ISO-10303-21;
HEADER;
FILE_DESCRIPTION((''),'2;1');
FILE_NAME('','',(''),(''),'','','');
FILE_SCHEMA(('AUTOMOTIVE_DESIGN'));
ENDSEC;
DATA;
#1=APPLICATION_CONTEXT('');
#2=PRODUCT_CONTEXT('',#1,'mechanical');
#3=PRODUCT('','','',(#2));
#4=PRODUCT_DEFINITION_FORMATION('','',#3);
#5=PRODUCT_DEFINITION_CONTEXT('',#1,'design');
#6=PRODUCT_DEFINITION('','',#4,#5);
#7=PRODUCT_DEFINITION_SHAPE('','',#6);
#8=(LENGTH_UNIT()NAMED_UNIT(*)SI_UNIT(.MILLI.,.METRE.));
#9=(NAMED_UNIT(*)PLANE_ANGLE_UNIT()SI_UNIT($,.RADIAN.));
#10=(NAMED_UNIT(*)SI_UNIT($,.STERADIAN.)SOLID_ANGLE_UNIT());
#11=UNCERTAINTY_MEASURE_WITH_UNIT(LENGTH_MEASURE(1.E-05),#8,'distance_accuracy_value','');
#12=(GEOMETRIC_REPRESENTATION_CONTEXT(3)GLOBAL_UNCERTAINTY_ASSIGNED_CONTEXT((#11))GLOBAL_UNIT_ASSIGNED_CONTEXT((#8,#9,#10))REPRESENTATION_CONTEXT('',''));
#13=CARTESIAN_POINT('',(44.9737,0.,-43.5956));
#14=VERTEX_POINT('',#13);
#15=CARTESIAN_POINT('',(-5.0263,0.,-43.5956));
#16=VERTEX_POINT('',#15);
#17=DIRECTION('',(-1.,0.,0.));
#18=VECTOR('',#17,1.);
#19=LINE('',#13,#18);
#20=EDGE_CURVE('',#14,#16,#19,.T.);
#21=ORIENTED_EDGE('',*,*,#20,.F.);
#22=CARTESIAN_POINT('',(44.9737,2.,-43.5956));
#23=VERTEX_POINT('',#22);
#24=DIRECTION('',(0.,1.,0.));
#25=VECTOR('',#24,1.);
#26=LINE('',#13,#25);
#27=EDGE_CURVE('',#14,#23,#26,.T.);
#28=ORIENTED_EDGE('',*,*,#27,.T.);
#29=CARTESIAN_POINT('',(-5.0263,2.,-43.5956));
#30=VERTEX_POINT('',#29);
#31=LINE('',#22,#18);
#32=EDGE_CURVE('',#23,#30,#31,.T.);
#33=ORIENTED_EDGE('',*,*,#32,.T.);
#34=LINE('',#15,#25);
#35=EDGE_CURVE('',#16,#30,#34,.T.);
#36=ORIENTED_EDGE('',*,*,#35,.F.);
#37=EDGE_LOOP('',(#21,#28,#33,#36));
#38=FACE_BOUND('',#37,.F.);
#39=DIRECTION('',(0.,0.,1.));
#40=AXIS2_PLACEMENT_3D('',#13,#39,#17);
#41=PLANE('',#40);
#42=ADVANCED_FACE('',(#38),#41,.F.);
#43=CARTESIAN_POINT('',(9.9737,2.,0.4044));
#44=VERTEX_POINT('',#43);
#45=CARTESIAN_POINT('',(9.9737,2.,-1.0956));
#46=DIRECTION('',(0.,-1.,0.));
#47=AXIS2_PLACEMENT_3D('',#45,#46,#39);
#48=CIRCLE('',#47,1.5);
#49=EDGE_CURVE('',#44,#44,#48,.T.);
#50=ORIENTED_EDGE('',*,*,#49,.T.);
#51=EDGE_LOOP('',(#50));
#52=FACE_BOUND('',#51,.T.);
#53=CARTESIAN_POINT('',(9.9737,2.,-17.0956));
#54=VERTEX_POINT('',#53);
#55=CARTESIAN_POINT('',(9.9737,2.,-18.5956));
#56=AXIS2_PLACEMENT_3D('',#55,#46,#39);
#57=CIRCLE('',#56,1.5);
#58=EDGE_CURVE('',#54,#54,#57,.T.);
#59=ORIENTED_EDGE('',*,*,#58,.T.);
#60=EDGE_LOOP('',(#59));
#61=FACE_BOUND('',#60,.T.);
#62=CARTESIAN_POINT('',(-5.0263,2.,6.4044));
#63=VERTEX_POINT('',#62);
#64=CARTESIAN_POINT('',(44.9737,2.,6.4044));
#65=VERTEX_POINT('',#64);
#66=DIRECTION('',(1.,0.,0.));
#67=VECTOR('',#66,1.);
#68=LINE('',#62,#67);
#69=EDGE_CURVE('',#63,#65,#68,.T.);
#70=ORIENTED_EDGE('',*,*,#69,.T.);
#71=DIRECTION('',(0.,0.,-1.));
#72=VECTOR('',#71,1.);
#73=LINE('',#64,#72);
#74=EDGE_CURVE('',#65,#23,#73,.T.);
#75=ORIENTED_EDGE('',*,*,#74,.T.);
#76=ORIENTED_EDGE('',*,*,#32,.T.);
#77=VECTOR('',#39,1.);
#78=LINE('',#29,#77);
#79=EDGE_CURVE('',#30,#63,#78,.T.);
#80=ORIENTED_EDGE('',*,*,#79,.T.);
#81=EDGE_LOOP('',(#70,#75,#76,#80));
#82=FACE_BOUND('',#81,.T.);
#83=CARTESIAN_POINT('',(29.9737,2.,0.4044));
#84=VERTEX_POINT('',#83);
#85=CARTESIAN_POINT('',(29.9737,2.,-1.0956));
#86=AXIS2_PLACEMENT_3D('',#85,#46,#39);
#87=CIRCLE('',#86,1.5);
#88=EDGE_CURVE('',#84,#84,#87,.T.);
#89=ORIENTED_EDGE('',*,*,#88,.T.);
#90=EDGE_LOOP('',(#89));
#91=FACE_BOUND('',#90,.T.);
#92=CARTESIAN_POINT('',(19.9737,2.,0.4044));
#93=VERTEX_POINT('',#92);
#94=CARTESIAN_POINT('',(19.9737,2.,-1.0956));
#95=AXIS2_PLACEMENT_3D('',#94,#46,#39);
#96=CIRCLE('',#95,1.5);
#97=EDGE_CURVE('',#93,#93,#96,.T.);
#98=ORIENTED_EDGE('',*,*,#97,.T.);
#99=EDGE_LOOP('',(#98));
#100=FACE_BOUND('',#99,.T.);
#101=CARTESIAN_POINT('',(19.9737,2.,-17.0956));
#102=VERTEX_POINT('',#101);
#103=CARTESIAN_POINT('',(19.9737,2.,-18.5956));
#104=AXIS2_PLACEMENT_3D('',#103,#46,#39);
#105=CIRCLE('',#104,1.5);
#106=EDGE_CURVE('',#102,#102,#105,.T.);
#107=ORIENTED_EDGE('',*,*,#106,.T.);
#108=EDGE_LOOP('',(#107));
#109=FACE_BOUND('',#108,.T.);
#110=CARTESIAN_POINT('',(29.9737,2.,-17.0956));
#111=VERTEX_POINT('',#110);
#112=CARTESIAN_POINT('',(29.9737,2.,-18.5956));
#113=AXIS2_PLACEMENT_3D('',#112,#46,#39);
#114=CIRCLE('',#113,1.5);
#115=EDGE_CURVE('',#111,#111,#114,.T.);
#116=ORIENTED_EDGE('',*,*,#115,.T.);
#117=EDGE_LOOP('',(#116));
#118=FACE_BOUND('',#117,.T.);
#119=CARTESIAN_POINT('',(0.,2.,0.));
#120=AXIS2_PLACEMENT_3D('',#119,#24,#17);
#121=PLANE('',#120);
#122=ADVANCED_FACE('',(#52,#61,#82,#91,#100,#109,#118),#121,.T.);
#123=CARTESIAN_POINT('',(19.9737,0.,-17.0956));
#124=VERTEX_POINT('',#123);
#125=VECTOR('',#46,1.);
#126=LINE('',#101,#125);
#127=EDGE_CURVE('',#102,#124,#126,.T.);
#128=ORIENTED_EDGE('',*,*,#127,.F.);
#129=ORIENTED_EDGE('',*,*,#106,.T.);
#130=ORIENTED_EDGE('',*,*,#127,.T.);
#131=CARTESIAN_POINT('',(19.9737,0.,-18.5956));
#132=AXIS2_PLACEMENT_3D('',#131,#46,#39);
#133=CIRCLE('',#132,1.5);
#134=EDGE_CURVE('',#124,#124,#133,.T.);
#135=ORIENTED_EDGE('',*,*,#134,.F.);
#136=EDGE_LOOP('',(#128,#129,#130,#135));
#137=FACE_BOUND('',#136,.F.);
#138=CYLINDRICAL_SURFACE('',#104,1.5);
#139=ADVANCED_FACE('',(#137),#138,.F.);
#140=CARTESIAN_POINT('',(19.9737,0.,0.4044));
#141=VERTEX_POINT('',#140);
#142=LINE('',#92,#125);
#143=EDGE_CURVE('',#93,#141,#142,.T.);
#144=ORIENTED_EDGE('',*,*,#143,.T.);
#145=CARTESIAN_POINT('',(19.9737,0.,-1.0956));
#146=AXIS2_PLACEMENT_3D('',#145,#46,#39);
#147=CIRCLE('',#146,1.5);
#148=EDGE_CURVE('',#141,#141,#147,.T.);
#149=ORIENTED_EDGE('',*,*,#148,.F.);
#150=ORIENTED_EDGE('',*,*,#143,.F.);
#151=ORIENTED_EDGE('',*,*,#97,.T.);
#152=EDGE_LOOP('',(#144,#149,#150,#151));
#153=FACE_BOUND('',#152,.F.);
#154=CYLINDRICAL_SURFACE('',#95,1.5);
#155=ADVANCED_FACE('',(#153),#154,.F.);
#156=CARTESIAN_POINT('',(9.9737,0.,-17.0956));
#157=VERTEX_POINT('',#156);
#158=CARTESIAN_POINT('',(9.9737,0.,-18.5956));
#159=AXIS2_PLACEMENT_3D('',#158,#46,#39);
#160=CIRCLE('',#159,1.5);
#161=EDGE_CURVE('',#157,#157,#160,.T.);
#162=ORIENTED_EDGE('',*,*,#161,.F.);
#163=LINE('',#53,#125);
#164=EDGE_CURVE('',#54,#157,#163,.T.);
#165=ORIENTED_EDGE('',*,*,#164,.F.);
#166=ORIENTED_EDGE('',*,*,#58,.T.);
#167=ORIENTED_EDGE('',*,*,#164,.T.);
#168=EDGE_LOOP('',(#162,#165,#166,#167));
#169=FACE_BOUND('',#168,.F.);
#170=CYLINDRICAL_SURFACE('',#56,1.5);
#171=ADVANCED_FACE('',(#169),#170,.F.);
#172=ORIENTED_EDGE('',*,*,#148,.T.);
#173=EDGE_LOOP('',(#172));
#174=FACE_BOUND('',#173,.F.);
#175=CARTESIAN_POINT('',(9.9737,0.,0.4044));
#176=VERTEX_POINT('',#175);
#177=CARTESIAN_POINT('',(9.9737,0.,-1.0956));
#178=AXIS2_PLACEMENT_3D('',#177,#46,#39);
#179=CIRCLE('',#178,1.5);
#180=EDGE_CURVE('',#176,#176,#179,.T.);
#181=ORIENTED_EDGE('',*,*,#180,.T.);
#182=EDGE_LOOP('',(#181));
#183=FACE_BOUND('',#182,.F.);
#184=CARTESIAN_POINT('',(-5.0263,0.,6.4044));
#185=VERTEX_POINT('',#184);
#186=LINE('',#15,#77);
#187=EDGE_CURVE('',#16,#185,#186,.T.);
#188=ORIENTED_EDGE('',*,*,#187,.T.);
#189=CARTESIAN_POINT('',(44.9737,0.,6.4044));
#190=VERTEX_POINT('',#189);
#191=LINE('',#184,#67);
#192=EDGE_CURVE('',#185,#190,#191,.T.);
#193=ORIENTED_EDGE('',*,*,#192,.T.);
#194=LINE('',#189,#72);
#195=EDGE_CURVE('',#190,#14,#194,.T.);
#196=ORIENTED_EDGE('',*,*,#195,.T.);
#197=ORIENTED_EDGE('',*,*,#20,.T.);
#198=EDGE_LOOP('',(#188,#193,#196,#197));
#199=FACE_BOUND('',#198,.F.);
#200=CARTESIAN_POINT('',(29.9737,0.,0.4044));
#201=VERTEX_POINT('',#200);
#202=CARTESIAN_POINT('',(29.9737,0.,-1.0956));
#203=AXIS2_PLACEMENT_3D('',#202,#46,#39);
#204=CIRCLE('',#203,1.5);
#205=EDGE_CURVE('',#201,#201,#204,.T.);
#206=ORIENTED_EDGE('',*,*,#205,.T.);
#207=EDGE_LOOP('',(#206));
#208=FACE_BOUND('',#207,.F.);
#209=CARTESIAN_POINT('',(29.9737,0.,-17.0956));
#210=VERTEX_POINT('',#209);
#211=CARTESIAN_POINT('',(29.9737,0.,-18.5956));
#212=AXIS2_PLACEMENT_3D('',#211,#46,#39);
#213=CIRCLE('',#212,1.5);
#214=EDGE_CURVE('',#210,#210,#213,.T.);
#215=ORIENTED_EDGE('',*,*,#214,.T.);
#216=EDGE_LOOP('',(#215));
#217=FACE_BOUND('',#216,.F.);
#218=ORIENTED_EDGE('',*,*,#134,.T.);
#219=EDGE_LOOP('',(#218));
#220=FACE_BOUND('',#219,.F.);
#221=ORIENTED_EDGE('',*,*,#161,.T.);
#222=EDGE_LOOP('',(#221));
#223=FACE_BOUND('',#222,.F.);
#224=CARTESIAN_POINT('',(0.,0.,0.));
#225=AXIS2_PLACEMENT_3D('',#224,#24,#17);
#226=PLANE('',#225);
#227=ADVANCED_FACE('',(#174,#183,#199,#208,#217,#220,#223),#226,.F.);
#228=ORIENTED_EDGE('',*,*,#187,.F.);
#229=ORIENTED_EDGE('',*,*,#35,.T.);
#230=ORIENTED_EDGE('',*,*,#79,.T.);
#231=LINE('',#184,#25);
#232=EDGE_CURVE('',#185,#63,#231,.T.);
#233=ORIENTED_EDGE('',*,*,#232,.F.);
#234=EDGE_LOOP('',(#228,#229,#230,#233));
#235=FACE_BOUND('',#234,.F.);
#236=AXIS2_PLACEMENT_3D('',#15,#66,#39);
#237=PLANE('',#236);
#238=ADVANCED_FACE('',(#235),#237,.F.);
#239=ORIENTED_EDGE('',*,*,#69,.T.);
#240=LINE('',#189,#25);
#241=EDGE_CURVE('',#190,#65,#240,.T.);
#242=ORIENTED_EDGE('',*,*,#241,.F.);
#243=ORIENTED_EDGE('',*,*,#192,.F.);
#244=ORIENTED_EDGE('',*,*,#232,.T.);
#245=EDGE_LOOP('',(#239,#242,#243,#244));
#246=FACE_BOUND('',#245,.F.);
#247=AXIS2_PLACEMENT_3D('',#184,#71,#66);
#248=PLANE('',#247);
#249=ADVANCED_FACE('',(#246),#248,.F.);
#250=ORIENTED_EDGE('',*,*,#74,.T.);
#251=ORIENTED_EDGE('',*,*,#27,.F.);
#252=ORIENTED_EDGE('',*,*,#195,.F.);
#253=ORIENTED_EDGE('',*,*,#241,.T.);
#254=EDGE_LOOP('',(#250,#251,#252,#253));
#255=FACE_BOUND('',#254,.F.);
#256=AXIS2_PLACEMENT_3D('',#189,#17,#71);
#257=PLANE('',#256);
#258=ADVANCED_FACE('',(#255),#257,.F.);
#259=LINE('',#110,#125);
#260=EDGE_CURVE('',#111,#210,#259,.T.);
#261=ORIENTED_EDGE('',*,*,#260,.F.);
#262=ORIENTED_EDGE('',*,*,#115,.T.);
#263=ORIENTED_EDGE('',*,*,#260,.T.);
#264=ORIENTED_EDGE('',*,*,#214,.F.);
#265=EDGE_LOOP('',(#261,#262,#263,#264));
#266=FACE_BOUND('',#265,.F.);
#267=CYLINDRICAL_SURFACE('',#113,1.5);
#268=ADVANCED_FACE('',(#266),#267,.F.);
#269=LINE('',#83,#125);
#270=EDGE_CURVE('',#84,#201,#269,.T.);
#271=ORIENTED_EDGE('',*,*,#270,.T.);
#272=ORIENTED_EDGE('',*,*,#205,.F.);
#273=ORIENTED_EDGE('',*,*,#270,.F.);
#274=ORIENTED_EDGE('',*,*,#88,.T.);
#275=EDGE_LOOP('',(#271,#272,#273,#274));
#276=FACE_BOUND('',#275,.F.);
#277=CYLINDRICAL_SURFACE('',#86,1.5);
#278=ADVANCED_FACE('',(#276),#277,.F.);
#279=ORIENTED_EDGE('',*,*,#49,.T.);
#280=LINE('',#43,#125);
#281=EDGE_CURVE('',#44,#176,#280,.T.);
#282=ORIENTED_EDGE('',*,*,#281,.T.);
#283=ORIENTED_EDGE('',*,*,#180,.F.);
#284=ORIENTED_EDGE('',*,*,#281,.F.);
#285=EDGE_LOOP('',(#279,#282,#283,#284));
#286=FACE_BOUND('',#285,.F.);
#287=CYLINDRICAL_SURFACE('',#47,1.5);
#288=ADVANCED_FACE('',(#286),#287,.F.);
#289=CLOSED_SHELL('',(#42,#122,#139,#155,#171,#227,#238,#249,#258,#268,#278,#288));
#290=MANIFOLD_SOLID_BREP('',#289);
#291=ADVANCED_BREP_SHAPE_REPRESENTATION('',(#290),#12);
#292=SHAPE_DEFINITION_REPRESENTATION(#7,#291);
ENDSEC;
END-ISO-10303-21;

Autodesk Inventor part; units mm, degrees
ref_plane "YZ Plane" through (0, 0, 0) normal (1, 0, 0) x (0, 1, 0)
ref_plane "XZ Plane" through (0, 0, 0) normal (0, 1, 0) x (-1, 0, 0)
ref_plane "XY Plane" through (0, 0, 0) normal (0, 0, 1) x (1, 0, 0)
sketch "スケッチ1" plane through (0, 0, 0) normal (0, 1, 0) x (-1, 0, 0)
  line L0 (5.0263, 6.4044) -> (-44.9737, 6.4044)
  line L1 (-44.9737, 6.4044) -> (-44.9737, -43.5956)
  line L2 (-44.9737, -43.5956) -> (5.0263, -43.5956)
  line L3 (5.0263, -43.5956) -> (5.0263, 6.4044)
  point P0 (0, 0)
  dimension "d0" = 50
  dimension "d1" = 50
extrude "押し出し1" add sketch "スケッチ1" along normal blind 2
sketch "スケッチ2" plane through (0, 2, 0) normal (0, 1, 0) x (1, 0, 0)
  circle A0 centre (19.9737, 1.0956) radius 1.5
  line L0 (-5.0263, -6.4044) -> (44.9737, -6.4044) projected
  line L1 (-5.0263, 43.5956) -> (-5.0263, -6.4044) projected
  circle A1 centre (9.9737, 1.0956) radius 1.5
  circle A2 centre (29.9737, 1.0956) radius 1.5
  circle A3 centre (9.9737, 18.5956) radius 1.5
  circle A4 centre (19.9737, 18.5956) radius 1.5
  circle A5 centre (29.9737, 18.5956) radius 1.5
  point P0 (0, 0)
  dimension "d4" = 3
  dimension "d5" = 7.5
  dimension "d6" = 25
  dimension "d7" = 3
  dimension "d8" = 3
  dimension "d9" = 10
  dimension "d10" = 10
  dimension "d11" = 3
  dimension "d12" = 17.5
  dimension "d13" = 3
  dimension "d14" = 3
  dimension "d15" = 10
  dimension "d16" = 10
  dimension "d17" = 17.5
hole "穴1" at (9.9737, 2, -1.0956) at (19.9737, 2, -1.0956) at (29.9737, 2, -1.0956) at (9.9737, 2, -18.5956) at (19.9737, 2, -18.5956) at (29.9737, 2, -18.5956) direction (0, -1, 0) diameter 3 depth 2
sketch "スケッチ3" plane through (0, 2, 0) normal (0, 1, 0) x (1, 0, 0)
  line L0 (-4.9253, -3.4044) -> (44.9737, -3.4044)
  line L1 (44.9737, -6.4044) -> (44.9737, 43.5956) projected
  line L2 (-5.0263, -6.4044) -> (44.9737, -6.4044) projected
  point P0 (0, 0)
  dimension "d25" = 3
sketch "スケッチ4" plane through (0, 2, 0) normal (0, 1, 0) x (1, 0, 0)
  line L0 (-5.0263, 43.5956) -> (-5.0263, -6.4044) projected
  line L1 (-5.0263, -6.4044) -> (44.9737, -6.4044) projected
  line L2 (-5.0263, -6.4044) -> (44.9737, -6.4044)
  line L3 (44.9737, -6.4044) -> (44.9737, -3.4044)
  line L4 (44.9737, -6.4044) -> (44.9737, 43.5956) projected
  line L5 (44.9737, -3.4044) -> (-5.0263, -3.4044)
  line L6 (-5.0263, -3.4044) -> (-5.0263, -6.4044)
  point P0 (0, 0)
  dimension "d26" = 3
equation "\"BendRadius\" = Thickness"
equation "\"BendReliefWidth\" = Thickness"
equation "\"BendReliefDepth\" = 0.5 * Thickness"
equation "\"CornerReliefSize\" = 4 * Thickness"
equation "\"MinimumRemnant\" = 2 * Thickness"
equation "\"TransitionRadius\" = BendRadius"
equation "\"JacobiRadiusSize\" = BendRadius"
equation "\"GapSize\" = Thickness"
equation "\"Thickness\" = 0.5"
properties part number "nhk23" material "アルミニウム 6061"
